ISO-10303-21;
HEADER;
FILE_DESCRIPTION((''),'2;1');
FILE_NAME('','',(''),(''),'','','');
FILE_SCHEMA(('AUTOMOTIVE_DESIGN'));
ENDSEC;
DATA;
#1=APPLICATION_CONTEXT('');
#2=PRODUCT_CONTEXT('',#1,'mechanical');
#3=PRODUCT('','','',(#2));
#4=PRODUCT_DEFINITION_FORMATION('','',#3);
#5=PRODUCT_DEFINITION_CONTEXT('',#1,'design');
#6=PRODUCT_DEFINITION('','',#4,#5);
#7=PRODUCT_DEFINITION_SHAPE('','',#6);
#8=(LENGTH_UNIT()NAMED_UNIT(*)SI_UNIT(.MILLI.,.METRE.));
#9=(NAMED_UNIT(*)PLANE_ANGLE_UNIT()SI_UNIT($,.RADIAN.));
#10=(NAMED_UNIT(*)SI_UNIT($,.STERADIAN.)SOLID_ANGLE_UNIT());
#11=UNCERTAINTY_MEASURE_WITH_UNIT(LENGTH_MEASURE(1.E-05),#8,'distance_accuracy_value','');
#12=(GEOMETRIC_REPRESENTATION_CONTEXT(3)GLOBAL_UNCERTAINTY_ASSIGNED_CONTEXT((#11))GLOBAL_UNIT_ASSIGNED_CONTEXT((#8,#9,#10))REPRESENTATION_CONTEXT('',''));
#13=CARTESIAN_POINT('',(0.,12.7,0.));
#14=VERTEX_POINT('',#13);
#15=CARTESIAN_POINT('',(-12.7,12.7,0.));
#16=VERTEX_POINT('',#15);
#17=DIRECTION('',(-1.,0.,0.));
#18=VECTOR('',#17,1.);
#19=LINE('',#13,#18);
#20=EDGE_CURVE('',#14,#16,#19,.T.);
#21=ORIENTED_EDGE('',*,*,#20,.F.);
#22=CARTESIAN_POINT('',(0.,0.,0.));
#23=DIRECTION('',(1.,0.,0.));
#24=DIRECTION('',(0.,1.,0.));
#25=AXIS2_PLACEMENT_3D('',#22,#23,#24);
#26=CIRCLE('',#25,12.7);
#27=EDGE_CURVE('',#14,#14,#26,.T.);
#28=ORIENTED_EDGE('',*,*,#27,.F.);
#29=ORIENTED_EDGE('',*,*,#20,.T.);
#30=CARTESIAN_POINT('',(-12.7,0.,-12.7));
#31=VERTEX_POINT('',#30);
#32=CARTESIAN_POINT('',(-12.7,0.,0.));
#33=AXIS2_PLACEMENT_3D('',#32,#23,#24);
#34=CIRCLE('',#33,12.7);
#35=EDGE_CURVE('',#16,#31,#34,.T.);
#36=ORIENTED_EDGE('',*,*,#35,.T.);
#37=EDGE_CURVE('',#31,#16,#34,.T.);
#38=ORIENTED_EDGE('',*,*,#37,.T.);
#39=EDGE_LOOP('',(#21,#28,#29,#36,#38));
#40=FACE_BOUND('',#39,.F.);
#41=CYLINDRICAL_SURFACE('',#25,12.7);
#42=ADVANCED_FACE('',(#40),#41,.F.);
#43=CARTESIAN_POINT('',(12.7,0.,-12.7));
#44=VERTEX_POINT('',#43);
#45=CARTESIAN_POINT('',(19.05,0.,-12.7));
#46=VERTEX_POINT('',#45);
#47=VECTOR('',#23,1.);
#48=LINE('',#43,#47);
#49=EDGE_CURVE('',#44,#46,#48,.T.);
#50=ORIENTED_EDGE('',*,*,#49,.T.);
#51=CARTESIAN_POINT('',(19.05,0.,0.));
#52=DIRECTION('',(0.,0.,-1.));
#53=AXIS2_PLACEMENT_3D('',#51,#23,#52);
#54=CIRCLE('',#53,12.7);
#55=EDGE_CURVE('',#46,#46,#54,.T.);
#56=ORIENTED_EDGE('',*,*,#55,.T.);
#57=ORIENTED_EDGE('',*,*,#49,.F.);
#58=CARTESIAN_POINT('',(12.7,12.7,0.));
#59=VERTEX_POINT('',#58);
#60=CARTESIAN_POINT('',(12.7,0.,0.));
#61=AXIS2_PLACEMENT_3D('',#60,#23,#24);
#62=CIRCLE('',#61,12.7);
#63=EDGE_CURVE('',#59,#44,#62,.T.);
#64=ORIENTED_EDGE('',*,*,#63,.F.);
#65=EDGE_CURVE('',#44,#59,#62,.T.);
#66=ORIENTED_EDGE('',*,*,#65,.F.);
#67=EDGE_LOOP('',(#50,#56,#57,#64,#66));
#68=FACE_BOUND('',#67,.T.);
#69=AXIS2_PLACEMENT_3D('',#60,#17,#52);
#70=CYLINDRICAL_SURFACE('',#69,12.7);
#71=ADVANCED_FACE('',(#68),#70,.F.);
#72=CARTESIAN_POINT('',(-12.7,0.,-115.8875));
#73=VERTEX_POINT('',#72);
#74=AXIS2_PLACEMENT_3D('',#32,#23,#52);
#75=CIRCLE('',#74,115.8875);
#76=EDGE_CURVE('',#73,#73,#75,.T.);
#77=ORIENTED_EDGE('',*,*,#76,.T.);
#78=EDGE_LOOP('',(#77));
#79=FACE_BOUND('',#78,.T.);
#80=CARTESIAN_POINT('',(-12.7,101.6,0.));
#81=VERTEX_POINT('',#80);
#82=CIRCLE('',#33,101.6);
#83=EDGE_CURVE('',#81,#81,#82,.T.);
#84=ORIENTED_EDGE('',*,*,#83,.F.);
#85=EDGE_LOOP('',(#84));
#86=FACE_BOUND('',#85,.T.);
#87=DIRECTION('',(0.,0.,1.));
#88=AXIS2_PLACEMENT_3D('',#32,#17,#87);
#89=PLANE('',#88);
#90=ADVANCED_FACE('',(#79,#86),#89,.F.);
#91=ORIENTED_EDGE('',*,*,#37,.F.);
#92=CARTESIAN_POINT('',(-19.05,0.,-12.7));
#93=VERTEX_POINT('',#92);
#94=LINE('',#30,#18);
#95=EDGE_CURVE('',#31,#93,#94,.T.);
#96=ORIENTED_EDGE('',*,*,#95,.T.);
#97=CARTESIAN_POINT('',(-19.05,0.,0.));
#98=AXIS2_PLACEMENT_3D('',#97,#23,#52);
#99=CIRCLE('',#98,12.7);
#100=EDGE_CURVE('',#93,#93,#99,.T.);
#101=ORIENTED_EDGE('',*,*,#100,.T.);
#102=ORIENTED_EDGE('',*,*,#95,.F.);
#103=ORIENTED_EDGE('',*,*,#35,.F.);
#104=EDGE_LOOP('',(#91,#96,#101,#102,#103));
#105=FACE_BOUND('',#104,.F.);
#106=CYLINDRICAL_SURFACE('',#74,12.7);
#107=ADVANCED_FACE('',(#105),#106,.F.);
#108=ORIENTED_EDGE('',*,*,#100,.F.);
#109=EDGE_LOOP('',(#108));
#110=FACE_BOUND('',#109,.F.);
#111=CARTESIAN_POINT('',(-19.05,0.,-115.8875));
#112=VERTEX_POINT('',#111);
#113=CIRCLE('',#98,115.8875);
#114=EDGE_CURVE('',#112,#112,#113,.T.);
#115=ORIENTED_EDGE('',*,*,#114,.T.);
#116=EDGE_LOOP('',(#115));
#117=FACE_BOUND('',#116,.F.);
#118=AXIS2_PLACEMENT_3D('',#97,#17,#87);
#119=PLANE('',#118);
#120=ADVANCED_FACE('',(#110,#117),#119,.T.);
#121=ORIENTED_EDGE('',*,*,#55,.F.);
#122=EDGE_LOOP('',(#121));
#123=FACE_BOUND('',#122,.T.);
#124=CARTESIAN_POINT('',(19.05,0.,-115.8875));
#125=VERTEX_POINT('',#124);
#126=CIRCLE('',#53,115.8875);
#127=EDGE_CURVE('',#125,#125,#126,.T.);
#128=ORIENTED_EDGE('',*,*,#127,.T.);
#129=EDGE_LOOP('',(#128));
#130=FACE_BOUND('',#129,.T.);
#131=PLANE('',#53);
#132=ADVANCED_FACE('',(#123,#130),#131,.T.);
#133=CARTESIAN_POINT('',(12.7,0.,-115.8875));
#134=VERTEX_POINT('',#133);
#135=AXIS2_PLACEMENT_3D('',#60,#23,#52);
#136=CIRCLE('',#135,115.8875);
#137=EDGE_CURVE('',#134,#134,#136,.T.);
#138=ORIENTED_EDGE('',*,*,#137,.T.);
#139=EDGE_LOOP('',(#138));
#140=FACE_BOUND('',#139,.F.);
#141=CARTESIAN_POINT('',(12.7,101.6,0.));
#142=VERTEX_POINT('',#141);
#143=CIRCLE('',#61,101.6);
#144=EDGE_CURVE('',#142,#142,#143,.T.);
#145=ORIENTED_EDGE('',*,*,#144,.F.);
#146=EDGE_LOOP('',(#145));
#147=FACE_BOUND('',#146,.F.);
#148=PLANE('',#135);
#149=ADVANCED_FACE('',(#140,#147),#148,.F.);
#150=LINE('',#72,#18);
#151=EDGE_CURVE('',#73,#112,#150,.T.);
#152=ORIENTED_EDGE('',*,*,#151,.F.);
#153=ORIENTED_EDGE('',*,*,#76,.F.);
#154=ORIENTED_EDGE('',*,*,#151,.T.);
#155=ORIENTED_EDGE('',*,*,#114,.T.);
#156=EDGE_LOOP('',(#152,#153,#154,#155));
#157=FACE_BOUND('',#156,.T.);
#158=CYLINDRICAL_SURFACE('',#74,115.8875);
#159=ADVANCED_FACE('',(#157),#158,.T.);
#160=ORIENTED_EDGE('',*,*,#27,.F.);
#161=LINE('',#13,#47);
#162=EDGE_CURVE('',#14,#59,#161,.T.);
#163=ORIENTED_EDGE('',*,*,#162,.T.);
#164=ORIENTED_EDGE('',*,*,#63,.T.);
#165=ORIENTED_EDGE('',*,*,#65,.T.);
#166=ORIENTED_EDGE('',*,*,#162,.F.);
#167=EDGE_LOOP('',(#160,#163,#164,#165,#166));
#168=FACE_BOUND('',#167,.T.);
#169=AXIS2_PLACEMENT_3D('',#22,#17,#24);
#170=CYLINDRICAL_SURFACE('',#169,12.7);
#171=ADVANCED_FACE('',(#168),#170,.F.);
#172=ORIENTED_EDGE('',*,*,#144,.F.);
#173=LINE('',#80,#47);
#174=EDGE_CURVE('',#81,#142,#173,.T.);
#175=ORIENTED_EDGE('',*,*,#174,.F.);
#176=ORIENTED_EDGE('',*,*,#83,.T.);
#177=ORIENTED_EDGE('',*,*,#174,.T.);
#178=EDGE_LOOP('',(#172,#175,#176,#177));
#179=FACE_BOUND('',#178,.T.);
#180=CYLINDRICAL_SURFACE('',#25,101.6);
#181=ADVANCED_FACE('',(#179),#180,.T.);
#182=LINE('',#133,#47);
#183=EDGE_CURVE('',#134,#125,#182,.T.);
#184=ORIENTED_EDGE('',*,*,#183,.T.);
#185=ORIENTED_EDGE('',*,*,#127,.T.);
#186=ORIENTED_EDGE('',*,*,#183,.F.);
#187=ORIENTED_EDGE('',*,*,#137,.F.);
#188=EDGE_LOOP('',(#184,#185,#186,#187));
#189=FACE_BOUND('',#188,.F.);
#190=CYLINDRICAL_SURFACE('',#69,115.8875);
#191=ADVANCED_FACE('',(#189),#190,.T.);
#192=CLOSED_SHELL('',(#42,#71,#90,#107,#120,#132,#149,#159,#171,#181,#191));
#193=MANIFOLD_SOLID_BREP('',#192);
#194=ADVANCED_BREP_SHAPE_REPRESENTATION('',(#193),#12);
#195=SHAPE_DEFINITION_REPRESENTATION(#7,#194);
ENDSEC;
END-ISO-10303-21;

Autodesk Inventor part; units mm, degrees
ref_plane "XZ Plane" through (0, 0, 0) normal (0, 1, 0) x (-1, 0, 0)
ref_plane "XY Plane" through (0, 0, 0) normal (0, 0, 1) x (1, 0, 0)
sketch "Sketch1" plane through (0, 0, 0) normal (1, 0, 0) x (0, 1, 0)
  circle A0 centre (0, 0) radius 101.6
  circle A1 centre (0, 0) radius 12.7
  dimension "d0" = 203.2
  dimension "d1" = 25.4
extrude "Extrusion1" add sketch "Sketch1" along normal mid plane 25.4
sketch "Sketch3" plane through (12.7, 0, 0) normal (1, 0, 0) x (0, 0, -1)
  circle A0 centre (0, 0) radius 12.7
  circle A1 centre (0, 0) radius 115.8875
  dimension "d7" = 25.4
  dimension "d8" = 231.775
extrude "Extrusion3" add sketch "Sketch3" along normal blind 6.35
mirror "Mirror1" about plane through (0, 0, 0) normal (1, 0, 0) of "Extrusion3"
properties part number "Wheel" material "Wood (Birch)"
